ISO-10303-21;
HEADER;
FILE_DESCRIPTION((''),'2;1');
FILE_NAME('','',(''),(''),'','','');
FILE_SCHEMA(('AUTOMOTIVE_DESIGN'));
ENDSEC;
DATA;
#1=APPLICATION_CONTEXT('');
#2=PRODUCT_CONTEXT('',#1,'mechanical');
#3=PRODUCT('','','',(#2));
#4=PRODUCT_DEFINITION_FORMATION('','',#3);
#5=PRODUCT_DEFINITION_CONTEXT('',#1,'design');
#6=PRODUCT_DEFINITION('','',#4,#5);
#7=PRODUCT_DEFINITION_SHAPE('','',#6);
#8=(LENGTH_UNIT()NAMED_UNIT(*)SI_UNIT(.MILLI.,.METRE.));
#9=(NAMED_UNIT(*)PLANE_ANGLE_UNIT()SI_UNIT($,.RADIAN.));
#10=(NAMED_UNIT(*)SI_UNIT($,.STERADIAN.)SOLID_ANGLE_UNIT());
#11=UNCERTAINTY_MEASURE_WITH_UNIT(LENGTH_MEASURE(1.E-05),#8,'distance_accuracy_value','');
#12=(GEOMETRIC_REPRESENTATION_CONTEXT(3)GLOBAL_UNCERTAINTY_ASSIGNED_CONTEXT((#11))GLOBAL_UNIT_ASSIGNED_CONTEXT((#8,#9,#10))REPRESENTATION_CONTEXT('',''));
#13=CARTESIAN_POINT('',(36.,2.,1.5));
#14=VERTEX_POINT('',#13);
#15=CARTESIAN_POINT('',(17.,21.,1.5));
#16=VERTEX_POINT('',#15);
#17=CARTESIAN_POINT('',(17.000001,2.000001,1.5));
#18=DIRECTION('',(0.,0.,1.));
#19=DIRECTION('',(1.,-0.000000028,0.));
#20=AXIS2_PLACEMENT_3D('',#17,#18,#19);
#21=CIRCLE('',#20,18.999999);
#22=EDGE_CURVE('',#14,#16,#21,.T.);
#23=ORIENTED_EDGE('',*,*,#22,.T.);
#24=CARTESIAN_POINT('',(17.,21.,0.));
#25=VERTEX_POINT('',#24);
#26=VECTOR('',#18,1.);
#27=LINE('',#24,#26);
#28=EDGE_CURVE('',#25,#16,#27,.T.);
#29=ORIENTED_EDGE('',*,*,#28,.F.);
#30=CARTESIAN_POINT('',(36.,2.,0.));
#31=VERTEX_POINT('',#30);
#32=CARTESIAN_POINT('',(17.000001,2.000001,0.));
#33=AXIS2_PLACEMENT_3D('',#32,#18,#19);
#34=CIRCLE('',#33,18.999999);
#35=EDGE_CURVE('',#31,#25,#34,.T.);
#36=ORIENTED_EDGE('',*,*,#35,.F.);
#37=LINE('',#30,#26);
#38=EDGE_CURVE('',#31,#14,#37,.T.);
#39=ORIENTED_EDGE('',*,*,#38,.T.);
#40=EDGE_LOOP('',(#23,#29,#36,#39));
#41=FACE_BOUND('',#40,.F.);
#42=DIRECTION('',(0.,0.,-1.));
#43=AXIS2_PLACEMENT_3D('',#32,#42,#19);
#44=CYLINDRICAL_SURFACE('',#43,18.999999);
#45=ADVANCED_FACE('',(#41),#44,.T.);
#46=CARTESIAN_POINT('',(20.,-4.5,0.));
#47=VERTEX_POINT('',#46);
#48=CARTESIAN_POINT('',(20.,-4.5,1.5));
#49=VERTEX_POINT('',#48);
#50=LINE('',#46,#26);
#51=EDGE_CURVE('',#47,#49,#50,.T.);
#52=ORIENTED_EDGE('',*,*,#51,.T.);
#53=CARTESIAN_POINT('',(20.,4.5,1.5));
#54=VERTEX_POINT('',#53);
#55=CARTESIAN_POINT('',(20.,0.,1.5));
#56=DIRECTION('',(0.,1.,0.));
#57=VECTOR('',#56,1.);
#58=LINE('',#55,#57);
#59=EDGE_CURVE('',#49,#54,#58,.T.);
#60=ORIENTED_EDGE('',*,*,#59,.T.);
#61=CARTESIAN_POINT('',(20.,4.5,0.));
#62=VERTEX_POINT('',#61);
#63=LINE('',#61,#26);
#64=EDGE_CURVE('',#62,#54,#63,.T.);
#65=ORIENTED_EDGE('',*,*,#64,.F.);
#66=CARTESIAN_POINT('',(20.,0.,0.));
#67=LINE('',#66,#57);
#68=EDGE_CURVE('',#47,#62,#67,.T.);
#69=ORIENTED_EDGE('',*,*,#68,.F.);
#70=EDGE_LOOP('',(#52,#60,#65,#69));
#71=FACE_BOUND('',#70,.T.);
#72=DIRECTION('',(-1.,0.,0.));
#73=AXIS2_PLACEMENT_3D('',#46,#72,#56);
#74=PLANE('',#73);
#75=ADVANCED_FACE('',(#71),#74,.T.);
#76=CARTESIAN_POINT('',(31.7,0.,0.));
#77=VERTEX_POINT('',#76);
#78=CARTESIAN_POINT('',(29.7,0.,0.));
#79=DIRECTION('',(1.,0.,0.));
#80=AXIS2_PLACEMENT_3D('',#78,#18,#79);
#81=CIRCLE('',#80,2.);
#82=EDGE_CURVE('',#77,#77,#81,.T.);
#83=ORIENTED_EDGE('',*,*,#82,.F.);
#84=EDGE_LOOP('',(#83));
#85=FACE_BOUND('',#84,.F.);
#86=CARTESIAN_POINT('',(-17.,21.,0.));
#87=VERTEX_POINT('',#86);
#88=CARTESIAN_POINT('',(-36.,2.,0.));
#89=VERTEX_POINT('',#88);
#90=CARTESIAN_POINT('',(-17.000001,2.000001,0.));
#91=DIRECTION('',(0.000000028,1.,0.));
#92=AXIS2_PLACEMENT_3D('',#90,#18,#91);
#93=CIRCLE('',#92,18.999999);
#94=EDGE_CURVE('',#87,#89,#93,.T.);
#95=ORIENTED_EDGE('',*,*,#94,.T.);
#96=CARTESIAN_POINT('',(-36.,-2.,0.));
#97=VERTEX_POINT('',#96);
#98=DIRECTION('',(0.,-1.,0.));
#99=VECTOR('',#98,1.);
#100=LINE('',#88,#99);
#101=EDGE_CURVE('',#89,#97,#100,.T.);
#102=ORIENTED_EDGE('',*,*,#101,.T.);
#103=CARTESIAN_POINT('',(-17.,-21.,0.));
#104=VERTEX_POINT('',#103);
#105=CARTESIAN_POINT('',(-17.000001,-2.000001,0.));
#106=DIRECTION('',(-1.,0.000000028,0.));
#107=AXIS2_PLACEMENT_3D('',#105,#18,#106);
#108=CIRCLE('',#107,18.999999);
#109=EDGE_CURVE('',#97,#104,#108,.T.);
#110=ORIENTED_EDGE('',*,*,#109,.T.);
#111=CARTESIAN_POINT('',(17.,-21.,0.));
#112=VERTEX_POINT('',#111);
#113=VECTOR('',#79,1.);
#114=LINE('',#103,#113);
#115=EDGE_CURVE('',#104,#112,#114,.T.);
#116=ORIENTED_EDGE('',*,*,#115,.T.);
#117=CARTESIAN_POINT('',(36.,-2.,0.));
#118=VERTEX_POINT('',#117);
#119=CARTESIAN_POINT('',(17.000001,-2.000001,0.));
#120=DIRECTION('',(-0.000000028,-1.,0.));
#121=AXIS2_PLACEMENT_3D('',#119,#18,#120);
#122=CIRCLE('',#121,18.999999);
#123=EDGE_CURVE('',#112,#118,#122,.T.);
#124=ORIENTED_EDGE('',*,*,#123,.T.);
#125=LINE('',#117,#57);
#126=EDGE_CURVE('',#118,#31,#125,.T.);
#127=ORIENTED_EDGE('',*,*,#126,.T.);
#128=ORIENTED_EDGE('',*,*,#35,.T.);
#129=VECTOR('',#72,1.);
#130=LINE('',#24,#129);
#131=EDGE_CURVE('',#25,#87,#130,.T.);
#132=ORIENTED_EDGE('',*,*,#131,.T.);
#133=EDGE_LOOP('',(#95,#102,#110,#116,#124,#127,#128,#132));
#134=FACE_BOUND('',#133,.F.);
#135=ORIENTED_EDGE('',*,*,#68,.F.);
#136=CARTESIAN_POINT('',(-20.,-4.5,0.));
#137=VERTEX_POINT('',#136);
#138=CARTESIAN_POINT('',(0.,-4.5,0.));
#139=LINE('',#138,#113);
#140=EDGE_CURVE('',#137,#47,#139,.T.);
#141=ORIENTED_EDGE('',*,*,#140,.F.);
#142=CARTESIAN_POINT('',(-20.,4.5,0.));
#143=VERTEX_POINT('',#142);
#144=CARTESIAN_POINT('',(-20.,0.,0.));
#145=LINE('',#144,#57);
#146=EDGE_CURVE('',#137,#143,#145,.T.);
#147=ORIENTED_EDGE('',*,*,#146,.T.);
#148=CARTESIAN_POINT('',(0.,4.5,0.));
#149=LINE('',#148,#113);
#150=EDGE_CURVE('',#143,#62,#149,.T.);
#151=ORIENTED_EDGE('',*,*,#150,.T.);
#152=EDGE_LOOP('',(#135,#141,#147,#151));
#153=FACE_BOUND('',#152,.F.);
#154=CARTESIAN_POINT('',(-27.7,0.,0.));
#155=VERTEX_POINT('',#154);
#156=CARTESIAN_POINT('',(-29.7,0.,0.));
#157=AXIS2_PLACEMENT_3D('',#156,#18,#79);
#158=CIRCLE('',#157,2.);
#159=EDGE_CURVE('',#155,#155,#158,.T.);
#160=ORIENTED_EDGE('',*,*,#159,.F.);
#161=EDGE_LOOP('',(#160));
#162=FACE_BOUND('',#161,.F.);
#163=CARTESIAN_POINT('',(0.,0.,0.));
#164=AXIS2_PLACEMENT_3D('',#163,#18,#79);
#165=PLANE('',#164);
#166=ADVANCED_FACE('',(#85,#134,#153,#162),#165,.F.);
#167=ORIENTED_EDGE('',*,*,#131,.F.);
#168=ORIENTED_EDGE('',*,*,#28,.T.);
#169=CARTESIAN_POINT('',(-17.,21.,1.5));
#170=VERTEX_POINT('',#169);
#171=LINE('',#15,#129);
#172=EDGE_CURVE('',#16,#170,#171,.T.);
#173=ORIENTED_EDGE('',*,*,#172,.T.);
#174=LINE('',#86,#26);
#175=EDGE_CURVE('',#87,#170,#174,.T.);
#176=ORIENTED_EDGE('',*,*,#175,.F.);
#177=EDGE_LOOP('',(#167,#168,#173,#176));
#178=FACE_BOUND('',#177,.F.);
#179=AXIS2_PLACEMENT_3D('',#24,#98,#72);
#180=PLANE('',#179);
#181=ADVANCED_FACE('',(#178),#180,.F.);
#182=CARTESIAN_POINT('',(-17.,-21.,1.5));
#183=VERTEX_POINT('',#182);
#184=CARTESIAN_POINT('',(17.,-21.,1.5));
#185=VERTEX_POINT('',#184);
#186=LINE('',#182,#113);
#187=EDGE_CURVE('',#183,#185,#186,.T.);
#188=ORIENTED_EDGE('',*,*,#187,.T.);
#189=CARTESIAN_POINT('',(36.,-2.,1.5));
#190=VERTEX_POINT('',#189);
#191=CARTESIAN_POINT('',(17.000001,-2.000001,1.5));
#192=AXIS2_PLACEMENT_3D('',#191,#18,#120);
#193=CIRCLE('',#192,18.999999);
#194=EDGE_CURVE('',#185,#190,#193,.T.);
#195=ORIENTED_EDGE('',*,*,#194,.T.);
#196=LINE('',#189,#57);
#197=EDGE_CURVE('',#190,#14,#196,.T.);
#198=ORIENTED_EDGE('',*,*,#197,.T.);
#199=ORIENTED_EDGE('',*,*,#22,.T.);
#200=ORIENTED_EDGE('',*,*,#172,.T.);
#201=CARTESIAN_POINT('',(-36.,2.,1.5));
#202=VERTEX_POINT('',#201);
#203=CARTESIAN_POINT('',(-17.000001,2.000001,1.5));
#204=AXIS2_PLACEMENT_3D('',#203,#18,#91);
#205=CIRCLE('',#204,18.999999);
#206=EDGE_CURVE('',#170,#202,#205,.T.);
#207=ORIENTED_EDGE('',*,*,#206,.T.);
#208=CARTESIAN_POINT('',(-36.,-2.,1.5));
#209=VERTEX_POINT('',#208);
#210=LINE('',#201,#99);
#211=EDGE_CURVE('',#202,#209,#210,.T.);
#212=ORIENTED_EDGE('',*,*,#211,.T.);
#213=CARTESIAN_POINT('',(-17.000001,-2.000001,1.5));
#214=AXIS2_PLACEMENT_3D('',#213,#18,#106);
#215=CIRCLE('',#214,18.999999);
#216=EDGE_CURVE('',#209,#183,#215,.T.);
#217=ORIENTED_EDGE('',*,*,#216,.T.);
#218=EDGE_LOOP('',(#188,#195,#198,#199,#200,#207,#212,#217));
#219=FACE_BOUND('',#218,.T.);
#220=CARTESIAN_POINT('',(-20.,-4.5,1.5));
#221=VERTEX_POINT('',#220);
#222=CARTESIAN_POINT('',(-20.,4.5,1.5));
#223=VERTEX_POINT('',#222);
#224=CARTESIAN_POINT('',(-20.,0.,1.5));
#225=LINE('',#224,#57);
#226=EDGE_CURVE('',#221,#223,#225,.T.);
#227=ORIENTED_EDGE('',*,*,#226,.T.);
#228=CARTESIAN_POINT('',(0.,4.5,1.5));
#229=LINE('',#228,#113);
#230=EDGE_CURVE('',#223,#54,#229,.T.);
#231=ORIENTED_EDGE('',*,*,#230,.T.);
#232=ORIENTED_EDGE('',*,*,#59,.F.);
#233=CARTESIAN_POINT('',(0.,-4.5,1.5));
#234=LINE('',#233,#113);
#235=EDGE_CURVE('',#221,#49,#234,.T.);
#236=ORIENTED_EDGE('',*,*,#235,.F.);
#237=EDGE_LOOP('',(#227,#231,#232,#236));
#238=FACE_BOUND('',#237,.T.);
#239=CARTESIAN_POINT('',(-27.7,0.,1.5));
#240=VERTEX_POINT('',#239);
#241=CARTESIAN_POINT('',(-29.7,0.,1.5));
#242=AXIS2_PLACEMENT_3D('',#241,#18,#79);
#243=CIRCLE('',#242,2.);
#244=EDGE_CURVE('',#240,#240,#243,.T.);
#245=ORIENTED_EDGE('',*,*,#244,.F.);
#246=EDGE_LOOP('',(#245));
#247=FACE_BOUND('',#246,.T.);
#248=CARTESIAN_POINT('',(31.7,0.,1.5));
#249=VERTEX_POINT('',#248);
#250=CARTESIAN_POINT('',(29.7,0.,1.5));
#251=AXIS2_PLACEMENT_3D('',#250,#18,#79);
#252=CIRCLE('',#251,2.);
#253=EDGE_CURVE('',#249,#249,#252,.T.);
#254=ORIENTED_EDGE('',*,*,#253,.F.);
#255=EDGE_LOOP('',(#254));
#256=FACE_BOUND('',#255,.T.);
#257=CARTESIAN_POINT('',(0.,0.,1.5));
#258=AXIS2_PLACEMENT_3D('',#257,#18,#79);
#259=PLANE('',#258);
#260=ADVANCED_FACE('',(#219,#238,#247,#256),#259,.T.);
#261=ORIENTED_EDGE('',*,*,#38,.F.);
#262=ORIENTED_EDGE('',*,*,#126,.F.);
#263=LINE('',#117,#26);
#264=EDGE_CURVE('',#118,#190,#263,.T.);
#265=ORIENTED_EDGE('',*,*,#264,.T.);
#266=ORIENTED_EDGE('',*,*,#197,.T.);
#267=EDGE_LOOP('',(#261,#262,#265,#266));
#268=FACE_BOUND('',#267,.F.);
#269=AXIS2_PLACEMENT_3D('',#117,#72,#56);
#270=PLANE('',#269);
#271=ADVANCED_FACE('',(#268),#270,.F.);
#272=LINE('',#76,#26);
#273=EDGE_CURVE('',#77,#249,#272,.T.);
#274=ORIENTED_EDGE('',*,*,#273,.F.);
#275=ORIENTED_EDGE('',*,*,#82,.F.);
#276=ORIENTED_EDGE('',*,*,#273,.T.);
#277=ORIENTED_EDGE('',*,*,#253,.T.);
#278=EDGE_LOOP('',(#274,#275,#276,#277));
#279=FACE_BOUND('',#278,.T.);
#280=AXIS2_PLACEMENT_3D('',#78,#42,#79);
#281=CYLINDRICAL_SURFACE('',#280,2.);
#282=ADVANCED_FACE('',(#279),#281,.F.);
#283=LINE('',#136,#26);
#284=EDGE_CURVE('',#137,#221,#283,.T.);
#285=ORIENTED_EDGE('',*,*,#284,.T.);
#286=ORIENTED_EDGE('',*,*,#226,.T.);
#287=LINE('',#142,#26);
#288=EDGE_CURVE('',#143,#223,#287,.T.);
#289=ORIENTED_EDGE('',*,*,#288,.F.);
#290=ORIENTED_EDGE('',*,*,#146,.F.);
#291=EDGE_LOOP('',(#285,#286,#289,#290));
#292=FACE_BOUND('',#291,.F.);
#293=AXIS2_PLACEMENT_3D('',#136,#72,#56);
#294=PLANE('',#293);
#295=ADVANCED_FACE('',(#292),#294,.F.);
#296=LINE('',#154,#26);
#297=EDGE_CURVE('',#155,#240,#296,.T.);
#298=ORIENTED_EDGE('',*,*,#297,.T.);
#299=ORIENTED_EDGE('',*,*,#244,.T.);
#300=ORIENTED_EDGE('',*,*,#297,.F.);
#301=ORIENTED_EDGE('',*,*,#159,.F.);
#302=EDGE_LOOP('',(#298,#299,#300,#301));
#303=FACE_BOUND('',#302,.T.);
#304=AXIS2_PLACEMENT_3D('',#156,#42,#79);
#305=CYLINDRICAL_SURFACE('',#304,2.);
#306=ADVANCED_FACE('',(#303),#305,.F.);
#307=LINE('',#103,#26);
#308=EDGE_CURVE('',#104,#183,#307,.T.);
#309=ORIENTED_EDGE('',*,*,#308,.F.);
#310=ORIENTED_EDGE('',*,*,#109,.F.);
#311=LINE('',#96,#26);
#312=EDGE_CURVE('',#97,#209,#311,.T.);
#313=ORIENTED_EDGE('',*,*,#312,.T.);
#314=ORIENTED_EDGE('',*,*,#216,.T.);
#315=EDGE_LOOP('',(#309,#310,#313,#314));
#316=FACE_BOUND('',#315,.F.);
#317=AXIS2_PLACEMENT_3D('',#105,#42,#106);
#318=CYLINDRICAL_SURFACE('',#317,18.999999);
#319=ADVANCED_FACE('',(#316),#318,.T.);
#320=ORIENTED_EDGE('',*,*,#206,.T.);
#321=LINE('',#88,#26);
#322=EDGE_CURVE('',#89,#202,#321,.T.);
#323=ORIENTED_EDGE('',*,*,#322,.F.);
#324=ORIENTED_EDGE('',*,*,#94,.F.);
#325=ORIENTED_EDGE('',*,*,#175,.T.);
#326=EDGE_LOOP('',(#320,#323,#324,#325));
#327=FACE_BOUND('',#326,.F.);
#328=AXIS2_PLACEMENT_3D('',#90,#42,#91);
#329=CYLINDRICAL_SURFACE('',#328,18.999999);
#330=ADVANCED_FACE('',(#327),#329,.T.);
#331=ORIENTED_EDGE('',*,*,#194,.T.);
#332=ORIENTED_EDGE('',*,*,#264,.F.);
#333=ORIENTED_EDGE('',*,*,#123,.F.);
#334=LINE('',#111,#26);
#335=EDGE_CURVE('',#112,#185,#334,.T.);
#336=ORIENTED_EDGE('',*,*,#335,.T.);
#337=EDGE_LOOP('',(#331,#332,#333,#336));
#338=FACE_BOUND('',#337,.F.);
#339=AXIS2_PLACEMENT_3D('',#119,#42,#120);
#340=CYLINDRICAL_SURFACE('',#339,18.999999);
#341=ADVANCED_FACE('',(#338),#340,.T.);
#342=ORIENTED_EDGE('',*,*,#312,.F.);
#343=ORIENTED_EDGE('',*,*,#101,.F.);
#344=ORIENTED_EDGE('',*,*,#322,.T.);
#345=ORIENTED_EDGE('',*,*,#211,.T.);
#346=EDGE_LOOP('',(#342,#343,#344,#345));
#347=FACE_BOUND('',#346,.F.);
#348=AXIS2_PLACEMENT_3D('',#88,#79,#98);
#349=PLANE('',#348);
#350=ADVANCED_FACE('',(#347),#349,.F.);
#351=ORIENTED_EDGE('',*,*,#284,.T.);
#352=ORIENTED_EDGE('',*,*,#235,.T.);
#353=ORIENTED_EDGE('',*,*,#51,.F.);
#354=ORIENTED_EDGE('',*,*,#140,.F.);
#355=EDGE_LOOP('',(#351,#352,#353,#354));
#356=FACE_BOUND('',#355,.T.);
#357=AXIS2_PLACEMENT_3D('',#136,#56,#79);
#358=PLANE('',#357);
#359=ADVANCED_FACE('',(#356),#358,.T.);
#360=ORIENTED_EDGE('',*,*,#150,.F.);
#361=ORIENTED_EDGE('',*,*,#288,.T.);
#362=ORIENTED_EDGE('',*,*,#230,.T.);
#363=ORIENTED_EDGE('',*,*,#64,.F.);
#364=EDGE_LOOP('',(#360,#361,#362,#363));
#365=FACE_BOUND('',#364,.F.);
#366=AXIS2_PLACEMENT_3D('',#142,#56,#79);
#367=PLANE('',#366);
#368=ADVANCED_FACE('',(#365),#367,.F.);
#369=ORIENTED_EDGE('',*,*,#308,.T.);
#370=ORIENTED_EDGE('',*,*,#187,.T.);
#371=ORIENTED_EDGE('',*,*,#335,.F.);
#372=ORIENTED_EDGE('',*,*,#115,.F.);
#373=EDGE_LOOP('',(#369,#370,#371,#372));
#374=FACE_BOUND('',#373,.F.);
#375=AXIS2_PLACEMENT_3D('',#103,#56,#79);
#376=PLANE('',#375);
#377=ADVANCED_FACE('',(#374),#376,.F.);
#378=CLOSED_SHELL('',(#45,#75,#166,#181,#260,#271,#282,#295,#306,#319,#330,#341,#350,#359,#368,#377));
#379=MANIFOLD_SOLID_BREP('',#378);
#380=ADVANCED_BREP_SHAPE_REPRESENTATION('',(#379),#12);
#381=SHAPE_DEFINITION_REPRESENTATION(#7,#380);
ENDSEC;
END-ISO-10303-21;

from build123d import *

# Parameters (mm, degrees)
F0_R     = 2
F0_W     = 40
F0_H     = 9
F1_DEPTH = 1.5


with BuildPart() as f1:
    # F0 (on Top) → F1 (new body)
    with BuildSketch(Plane.XY):
        with BuildLine():
            Line((-17, -21), (17, -21))
            ThreePointArc((17, -21), (30.435029, -15.435029), (36, -2))
            Line((36, -2), (36, 2))
            ThreePointArc((36, 2), (30.435029, 15.435029), (17, 21))
            Line((17, 21), (-17, 21))
            ThreePointArc((-17, 21), (-30.435029, 15.435029), (-36, 2))
            Line((-36, 2), (-36, -2))
            ThreePointArc((-36, -2), (-30.435029, -15.435029), (-17, -21))
        make_face()
        with Locations((-29.7, 0)):
            Circle(F0_R, mode=Mode.SUBTRACT)
        Rectangle(F0_W, F0_H, mode=Mode.SUBTRACT)
        with Locations((29.7, 0)):
            Circle(F0_R, mode=Mode.SUBTRACT)
    extrude(amount=F1_DEPTH)


solid = f1.part
